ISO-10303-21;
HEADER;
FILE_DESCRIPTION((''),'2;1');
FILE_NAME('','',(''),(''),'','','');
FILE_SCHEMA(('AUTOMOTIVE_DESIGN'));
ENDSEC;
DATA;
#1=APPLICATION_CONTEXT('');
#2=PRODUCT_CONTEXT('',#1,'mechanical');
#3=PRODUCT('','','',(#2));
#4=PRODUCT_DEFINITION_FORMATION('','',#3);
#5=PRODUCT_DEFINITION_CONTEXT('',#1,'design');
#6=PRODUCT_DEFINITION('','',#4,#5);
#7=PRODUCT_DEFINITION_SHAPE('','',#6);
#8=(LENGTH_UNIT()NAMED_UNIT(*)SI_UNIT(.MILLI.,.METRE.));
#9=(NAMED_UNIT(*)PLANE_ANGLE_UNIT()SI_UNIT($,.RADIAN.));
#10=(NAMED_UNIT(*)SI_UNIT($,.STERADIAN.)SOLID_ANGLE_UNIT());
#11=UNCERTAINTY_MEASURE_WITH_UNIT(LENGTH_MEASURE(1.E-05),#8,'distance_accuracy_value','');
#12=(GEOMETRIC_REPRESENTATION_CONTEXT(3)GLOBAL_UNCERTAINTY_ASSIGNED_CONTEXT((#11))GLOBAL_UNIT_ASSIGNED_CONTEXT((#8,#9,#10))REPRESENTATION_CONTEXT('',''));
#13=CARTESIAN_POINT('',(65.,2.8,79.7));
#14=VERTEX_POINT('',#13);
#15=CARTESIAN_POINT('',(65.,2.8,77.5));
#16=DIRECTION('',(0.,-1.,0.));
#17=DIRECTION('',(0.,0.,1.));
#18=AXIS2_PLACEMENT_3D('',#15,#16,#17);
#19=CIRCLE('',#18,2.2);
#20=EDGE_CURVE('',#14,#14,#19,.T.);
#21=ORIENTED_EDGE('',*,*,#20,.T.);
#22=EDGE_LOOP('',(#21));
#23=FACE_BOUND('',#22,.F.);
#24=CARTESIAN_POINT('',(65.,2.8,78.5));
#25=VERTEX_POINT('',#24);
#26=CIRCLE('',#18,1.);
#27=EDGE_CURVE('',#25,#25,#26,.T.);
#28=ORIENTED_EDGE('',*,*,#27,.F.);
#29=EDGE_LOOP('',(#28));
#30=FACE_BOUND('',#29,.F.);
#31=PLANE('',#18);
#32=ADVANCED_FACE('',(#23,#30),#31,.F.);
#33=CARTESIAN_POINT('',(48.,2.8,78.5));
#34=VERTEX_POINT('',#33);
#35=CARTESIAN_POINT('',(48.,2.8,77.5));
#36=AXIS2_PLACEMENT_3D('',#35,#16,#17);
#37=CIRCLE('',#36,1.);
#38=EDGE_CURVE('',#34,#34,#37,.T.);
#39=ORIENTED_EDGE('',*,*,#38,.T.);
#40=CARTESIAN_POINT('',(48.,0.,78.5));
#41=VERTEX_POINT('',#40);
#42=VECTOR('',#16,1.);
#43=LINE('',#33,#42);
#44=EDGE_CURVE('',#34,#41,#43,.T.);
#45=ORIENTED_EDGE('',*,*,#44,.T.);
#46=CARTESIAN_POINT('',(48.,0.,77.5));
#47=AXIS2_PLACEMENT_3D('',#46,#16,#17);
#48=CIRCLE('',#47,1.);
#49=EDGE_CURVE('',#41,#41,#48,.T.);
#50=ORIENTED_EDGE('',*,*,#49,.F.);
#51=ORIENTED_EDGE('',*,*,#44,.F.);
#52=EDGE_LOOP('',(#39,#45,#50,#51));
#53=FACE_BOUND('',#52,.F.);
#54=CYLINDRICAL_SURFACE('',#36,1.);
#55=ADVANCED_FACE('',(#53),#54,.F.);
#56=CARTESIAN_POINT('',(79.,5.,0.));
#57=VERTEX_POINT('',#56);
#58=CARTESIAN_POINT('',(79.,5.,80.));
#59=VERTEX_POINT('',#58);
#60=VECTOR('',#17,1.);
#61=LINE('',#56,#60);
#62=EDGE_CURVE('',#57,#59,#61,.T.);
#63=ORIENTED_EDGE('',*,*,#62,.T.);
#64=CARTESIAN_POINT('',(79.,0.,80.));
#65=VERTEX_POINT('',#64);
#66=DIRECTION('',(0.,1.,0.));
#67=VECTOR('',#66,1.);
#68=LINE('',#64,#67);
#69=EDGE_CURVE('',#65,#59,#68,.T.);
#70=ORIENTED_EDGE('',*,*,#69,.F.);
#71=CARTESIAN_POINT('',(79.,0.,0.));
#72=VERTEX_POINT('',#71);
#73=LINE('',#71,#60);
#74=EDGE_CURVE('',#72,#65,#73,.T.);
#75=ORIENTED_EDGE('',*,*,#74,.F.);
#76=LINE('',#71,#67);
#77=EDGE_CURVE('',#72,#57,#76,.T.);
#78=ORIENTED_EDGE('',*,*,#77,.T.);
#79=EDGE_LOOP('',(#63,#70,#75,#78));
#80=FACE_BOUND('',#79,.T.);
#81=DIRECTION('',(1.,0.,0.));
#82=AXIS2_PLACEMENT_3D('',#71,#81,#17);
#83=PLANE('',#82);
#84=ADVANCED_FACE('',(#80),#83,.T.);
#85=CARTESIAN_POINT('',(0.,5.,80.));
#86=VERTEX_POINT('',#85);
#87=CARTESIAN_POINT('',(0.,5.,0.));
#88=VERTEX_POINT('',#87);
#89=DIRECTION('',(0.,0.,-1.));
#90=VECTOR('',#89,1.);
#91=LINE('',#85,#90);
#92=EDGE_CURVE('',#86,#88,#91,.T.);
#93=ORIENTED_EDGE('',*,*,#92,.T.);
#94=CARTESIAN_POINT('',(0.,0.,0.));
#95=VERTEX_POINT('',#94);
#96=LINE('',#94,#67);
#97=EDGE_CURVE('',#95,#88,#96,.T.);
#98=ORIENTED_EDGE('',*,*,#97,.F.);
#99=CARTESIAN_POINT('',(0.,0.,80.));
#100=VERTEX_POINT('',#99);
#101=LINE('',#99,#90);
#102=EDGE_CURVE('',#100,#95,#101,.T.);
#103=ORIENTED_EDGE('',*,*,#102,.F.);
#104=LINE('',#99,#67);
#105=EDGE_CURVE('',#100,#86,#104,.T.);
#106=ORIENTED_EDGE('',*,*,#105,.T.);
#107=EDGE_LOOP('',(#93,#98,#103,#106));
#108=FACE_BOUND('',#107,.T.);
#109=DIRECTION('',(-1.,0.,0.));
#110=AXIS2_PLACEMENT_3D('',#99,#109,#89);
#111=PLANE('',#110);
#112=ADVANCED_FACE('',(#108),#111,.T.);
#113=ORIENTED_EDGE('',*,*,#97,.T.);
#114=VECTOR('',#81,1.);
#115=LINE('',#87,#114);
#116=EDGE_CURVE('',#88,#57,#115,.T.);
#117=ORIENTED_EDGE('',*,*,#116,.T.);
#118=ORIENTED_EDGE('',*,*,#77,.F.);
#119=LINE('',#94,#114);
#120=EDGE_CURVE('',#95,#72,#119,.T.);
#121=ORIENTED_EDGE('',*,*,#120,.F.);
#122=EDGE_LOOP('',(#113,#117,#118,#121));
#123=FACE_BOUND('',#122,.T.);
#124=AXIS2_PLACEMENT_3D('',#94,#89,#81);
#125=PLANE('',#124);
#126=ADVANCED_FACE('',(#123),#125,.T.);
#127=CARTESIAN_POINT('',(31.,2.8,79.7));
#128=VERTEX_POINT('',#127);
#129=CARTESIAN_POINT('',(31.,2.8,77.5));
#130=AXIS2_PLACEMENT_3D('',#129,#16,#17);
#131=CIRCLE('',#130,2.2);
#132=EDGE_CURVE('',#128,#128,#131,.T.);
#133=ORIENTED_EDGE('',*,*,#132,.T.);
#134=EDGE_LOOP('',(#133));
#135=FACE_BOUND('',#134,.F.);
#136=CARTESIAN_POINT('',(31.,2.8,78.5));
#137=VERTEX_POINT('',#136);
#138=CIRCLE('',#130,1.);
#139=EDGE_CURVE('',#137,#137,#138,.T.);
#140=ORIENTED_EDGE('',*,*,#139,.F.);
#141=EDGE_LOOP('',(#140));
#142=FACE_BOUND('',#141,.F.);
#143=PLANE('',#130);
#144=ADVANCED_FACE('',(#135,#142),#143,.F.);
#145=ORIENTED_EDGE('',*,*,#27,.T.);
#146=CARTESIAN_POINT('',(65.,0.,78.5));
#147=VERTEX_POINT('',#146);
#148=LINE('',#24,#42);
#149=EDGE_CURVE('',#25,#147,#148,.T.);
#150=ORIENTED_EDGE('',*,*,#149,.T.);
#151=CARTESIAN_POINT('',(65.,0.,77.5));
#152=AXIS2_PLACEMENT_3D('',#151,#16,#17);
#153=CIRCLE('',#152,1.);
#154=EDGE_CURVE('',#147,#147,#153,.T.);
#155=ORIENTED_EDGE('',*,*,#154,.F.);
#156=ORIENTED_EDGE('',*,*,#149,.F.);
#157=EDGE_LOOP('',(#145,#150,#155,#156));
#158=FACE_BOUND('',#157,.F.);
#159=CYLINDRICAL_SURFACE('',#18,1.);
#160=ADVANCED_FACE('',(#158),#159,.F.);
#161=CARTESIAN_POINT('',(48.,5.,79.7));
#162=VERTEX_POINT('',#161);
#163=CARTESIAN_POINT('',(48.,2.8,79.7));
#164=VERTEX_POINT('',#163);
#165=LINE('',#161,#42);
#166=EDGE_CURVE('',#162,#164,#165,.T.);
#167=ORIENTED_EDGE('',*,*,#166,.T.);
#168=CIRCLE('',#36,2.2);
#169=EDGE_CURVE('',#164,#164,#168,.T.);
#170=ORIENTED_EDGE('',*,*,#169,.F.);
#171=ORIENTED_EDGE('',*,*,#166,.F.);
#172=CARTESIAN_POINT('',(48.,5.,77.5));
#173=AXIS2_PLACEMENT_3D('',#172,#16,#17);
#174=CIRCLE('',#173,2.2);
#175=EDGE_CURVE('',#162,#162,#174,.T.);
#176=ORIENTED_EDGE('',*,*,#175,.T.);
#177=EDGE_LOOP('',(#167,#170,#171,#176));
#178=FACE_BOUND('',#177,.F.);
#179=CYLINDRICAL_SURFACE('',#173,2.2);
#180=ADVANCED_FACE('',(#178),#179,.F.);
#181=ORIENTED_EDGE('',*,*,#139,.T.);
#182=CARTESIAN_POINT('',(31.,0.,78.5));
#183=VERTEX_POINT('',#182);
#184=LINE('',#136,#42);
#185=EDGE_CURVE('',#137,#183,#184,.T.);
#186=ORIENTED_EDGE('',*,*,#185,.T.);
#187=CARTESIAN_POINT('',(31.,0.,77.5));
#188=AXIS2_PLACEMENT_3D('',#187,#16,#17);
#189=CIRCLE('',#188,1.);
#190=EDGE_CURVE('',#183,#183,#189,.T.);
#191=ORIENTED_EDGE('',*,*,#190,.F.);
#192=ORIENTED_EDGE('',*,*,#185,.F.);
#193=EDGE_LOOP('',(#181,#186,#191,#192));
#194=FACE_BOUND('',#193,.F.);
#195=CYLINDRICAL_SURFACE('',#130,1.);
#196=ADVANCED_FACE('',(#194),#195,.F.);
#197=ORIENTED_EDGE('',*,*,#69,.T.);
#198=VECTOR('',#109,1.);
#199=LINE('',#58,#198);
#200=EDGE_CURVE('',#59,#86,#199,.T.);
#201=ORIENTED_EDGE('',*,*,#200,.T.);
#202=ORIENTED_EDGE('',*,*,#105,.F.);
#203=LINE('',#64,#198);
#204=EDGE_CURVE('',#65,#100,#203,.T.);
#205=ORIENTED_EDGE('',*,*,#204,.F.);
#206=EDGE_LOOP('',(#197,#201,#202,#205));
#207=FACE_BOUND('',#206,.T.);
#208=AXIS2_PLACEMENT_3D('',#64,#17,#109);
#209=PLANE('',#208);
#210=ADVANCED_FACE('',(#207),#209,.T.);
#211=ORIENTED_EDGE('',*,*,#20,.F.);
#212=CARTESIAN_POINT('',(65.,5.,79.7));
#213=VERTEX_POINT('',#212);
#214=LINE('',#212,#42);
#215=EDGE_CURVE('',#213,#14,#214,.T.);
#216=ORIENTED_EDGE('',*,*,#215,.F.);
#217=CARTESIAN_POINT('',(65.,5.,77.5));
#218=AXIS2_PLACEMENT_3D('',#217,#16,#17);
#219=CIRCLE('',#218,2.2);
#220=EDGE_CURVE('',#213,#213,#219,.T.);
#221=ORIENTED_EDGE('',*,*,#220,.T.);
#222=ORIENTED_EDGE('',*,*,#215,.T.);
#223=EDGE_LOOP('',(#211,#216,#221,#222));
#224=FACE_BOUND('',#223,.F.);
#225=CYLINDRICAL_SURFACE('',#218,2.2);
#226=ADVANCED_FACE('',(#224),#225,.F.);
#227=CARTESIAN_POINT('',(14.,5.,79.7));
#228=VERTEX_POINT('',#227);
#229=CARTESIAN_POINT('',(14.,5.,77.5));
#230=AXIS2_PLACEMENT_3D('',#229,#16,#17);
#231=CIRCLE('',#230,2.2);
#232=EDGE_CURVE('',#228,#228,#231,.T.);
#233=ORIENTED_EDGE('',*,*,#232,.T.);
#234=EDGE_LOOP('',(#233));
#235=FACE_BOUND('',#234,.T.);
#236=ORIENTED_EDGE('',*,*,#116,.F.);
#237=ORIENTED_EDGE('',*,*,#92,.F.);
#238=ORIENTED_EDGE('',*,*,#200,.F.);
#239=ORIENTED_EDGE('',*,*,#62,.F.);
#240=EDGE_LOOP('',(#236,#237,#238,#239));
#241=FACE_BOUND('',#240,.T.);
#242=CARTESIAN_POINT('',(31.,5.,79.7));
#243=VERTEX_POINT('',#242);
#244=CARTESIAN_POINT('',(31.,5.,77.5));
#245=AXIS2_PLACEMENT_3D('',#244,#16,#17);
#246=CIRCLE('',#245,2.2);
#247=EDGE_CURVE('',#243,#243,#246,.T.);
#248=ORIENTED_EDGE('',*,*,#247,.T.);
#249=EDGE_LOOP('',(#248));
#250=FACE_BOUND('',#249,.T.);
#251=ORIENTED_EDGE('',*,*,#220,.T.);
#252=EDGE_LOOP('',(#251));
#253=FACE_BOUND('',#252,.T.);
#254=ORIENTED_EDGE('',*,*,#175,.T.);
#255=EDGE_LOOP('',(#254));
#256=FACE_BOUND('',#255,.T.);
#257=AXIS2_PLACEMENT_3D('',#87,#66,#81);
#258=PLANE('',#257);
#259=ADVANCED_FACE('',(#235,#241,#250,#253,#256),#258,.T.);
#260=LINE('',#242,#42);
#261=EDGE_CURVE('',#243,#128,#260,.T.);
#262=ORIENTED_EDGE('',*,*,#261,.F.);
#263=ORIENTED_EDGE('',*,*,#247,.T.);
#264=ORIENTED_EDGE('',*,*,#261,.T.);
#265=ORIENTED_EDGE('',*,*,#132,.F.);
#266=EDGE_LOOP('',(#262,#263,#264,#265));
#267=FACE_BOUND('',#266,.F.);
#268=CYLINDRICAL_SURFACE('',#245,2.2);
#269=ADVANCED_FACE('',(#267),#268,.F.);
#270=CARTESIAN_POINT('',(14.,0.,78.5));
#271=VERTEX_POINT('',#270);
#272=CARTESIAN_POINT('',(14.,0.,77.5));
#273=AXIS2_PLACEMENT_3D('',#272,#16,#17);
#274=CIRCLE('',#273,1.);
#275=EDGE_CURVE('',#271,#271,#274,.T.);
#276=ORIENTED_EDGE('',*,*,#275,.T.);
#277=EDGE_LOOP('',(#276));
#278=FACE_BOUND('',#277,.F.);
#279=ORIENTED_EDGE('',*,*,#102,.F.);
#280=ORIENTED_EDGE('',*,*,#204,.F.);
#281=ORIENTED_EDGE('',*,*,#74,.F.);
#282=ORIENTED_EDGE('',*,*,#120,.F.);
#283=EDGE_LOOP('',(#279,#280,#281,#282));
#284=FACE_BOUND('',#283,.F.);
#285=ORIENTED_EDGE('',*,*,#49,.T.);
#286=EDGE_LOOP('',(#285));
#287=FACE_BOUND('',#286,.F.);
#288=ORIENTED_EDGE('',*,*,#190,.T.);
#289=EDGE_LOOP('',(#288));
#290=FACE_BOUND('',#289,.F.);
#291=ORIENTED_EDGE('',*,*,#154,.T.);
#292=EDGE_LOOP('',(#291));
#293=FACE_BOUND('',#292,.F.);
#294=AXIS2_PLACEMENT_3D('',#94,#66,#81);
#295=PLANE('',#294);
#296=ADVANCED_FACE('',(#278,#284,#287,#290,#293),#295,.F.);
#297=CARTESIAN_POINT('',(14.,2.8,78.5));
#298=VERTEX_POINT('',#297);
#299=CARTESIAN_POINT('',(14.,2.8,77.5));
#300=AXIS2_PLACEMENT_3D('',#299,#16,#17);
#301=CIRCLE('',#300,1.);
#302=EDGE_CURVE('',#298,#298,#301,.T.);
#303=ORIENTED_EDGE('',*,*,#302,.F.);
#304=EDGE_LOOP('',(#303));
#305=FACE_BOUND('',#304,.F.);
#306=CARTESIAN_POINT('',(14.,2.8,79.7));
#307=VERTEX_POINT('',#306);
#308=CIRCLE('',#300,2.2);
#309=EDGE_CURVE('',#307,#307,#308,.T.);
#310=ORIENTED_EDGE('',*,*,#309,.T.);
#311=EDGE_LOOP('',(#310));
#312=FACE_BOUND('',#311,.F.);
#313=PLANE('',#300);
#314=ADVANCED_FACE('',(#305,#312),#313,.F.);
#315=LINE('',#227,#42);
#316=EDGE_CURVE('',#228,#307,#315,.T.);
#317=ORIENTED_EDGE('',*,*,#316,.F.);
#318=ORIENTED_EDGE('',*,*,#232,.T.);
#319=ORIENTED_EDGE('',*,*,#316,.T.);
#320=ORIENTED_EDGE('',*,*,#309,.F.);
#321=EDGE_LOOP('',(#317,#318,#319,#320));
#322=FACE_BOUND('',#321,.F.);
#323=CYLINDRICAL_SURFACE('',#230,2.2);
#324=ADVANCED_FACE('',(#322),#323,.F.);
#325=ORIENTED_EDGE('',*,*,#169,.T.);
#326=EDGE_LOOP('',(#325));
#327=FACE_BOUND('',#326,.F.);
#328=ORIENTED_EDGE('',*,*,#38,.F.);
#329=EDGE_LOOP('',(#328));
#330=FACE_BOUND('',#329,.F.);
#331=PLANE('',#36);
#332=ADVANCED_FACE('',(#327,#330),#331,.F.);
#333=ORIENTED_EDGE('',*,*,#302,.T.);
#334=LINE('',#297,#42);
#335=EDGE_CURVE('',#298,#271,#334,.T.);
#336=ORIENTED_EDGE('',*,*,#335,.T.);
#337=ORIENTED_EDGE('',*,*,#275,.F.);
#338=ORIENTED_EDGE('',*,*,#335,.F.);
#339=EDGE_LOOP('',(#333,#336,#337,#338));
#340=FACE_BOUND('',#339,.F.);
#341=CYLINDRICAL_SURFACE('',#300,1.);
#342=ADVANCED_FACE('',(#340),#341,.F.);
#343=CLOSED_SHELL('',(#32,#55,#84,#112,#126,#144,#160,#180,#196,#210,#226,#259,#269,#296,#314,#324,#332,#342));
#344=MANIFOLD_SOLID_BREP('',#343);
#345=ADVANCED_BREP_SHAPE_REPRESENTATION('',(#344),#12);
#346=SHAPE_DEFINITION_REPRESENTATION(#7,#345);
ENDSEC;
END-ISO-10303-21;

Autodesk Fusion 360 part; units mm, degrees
sketch "Sketch1" plane through (0, 0, 0) normal (0, 1, 0) x (1, 0, 0)
  line L0 (0, 0) -> (79, 0)
  line L1 (79, 0) -> (79, -80)
  line L2 (79, -80) -> (0, -80)
  line L3 (0, -80) -> (0, 0)
  dimension "d1" = 79
  dimension "d2" = 80
extrude "Extrude1" add sketch "Sketch1" along normal blind 5
sketch "Sketch2" plane through (0, 5, 0) normal (0, 1, 0) x (-1, 0, 0)
  line L0 (0, 80) -> (-79, 80)
  line L1 (-79, 80) -> (-79, 0)
  line L2 (-79, 0) -> (0, 0)
  line L3 (0, 0) -> (0, 80)
  point P0 (-14, 77.5)
  dimension "d5" = 14
  dimension "d6" = 2.5
hole "Hole1" at (14, 5, 77.5) direction (0, -1, 0) diameter 2 end through all counterbore diameter 4.4 counterbore depth 2.2
pattern_linear "R-Pattern1" count 1 spacing 0 along (0, 0, -1) count 4 spacing 17 along (1, 0, 0) of "Hole1"
